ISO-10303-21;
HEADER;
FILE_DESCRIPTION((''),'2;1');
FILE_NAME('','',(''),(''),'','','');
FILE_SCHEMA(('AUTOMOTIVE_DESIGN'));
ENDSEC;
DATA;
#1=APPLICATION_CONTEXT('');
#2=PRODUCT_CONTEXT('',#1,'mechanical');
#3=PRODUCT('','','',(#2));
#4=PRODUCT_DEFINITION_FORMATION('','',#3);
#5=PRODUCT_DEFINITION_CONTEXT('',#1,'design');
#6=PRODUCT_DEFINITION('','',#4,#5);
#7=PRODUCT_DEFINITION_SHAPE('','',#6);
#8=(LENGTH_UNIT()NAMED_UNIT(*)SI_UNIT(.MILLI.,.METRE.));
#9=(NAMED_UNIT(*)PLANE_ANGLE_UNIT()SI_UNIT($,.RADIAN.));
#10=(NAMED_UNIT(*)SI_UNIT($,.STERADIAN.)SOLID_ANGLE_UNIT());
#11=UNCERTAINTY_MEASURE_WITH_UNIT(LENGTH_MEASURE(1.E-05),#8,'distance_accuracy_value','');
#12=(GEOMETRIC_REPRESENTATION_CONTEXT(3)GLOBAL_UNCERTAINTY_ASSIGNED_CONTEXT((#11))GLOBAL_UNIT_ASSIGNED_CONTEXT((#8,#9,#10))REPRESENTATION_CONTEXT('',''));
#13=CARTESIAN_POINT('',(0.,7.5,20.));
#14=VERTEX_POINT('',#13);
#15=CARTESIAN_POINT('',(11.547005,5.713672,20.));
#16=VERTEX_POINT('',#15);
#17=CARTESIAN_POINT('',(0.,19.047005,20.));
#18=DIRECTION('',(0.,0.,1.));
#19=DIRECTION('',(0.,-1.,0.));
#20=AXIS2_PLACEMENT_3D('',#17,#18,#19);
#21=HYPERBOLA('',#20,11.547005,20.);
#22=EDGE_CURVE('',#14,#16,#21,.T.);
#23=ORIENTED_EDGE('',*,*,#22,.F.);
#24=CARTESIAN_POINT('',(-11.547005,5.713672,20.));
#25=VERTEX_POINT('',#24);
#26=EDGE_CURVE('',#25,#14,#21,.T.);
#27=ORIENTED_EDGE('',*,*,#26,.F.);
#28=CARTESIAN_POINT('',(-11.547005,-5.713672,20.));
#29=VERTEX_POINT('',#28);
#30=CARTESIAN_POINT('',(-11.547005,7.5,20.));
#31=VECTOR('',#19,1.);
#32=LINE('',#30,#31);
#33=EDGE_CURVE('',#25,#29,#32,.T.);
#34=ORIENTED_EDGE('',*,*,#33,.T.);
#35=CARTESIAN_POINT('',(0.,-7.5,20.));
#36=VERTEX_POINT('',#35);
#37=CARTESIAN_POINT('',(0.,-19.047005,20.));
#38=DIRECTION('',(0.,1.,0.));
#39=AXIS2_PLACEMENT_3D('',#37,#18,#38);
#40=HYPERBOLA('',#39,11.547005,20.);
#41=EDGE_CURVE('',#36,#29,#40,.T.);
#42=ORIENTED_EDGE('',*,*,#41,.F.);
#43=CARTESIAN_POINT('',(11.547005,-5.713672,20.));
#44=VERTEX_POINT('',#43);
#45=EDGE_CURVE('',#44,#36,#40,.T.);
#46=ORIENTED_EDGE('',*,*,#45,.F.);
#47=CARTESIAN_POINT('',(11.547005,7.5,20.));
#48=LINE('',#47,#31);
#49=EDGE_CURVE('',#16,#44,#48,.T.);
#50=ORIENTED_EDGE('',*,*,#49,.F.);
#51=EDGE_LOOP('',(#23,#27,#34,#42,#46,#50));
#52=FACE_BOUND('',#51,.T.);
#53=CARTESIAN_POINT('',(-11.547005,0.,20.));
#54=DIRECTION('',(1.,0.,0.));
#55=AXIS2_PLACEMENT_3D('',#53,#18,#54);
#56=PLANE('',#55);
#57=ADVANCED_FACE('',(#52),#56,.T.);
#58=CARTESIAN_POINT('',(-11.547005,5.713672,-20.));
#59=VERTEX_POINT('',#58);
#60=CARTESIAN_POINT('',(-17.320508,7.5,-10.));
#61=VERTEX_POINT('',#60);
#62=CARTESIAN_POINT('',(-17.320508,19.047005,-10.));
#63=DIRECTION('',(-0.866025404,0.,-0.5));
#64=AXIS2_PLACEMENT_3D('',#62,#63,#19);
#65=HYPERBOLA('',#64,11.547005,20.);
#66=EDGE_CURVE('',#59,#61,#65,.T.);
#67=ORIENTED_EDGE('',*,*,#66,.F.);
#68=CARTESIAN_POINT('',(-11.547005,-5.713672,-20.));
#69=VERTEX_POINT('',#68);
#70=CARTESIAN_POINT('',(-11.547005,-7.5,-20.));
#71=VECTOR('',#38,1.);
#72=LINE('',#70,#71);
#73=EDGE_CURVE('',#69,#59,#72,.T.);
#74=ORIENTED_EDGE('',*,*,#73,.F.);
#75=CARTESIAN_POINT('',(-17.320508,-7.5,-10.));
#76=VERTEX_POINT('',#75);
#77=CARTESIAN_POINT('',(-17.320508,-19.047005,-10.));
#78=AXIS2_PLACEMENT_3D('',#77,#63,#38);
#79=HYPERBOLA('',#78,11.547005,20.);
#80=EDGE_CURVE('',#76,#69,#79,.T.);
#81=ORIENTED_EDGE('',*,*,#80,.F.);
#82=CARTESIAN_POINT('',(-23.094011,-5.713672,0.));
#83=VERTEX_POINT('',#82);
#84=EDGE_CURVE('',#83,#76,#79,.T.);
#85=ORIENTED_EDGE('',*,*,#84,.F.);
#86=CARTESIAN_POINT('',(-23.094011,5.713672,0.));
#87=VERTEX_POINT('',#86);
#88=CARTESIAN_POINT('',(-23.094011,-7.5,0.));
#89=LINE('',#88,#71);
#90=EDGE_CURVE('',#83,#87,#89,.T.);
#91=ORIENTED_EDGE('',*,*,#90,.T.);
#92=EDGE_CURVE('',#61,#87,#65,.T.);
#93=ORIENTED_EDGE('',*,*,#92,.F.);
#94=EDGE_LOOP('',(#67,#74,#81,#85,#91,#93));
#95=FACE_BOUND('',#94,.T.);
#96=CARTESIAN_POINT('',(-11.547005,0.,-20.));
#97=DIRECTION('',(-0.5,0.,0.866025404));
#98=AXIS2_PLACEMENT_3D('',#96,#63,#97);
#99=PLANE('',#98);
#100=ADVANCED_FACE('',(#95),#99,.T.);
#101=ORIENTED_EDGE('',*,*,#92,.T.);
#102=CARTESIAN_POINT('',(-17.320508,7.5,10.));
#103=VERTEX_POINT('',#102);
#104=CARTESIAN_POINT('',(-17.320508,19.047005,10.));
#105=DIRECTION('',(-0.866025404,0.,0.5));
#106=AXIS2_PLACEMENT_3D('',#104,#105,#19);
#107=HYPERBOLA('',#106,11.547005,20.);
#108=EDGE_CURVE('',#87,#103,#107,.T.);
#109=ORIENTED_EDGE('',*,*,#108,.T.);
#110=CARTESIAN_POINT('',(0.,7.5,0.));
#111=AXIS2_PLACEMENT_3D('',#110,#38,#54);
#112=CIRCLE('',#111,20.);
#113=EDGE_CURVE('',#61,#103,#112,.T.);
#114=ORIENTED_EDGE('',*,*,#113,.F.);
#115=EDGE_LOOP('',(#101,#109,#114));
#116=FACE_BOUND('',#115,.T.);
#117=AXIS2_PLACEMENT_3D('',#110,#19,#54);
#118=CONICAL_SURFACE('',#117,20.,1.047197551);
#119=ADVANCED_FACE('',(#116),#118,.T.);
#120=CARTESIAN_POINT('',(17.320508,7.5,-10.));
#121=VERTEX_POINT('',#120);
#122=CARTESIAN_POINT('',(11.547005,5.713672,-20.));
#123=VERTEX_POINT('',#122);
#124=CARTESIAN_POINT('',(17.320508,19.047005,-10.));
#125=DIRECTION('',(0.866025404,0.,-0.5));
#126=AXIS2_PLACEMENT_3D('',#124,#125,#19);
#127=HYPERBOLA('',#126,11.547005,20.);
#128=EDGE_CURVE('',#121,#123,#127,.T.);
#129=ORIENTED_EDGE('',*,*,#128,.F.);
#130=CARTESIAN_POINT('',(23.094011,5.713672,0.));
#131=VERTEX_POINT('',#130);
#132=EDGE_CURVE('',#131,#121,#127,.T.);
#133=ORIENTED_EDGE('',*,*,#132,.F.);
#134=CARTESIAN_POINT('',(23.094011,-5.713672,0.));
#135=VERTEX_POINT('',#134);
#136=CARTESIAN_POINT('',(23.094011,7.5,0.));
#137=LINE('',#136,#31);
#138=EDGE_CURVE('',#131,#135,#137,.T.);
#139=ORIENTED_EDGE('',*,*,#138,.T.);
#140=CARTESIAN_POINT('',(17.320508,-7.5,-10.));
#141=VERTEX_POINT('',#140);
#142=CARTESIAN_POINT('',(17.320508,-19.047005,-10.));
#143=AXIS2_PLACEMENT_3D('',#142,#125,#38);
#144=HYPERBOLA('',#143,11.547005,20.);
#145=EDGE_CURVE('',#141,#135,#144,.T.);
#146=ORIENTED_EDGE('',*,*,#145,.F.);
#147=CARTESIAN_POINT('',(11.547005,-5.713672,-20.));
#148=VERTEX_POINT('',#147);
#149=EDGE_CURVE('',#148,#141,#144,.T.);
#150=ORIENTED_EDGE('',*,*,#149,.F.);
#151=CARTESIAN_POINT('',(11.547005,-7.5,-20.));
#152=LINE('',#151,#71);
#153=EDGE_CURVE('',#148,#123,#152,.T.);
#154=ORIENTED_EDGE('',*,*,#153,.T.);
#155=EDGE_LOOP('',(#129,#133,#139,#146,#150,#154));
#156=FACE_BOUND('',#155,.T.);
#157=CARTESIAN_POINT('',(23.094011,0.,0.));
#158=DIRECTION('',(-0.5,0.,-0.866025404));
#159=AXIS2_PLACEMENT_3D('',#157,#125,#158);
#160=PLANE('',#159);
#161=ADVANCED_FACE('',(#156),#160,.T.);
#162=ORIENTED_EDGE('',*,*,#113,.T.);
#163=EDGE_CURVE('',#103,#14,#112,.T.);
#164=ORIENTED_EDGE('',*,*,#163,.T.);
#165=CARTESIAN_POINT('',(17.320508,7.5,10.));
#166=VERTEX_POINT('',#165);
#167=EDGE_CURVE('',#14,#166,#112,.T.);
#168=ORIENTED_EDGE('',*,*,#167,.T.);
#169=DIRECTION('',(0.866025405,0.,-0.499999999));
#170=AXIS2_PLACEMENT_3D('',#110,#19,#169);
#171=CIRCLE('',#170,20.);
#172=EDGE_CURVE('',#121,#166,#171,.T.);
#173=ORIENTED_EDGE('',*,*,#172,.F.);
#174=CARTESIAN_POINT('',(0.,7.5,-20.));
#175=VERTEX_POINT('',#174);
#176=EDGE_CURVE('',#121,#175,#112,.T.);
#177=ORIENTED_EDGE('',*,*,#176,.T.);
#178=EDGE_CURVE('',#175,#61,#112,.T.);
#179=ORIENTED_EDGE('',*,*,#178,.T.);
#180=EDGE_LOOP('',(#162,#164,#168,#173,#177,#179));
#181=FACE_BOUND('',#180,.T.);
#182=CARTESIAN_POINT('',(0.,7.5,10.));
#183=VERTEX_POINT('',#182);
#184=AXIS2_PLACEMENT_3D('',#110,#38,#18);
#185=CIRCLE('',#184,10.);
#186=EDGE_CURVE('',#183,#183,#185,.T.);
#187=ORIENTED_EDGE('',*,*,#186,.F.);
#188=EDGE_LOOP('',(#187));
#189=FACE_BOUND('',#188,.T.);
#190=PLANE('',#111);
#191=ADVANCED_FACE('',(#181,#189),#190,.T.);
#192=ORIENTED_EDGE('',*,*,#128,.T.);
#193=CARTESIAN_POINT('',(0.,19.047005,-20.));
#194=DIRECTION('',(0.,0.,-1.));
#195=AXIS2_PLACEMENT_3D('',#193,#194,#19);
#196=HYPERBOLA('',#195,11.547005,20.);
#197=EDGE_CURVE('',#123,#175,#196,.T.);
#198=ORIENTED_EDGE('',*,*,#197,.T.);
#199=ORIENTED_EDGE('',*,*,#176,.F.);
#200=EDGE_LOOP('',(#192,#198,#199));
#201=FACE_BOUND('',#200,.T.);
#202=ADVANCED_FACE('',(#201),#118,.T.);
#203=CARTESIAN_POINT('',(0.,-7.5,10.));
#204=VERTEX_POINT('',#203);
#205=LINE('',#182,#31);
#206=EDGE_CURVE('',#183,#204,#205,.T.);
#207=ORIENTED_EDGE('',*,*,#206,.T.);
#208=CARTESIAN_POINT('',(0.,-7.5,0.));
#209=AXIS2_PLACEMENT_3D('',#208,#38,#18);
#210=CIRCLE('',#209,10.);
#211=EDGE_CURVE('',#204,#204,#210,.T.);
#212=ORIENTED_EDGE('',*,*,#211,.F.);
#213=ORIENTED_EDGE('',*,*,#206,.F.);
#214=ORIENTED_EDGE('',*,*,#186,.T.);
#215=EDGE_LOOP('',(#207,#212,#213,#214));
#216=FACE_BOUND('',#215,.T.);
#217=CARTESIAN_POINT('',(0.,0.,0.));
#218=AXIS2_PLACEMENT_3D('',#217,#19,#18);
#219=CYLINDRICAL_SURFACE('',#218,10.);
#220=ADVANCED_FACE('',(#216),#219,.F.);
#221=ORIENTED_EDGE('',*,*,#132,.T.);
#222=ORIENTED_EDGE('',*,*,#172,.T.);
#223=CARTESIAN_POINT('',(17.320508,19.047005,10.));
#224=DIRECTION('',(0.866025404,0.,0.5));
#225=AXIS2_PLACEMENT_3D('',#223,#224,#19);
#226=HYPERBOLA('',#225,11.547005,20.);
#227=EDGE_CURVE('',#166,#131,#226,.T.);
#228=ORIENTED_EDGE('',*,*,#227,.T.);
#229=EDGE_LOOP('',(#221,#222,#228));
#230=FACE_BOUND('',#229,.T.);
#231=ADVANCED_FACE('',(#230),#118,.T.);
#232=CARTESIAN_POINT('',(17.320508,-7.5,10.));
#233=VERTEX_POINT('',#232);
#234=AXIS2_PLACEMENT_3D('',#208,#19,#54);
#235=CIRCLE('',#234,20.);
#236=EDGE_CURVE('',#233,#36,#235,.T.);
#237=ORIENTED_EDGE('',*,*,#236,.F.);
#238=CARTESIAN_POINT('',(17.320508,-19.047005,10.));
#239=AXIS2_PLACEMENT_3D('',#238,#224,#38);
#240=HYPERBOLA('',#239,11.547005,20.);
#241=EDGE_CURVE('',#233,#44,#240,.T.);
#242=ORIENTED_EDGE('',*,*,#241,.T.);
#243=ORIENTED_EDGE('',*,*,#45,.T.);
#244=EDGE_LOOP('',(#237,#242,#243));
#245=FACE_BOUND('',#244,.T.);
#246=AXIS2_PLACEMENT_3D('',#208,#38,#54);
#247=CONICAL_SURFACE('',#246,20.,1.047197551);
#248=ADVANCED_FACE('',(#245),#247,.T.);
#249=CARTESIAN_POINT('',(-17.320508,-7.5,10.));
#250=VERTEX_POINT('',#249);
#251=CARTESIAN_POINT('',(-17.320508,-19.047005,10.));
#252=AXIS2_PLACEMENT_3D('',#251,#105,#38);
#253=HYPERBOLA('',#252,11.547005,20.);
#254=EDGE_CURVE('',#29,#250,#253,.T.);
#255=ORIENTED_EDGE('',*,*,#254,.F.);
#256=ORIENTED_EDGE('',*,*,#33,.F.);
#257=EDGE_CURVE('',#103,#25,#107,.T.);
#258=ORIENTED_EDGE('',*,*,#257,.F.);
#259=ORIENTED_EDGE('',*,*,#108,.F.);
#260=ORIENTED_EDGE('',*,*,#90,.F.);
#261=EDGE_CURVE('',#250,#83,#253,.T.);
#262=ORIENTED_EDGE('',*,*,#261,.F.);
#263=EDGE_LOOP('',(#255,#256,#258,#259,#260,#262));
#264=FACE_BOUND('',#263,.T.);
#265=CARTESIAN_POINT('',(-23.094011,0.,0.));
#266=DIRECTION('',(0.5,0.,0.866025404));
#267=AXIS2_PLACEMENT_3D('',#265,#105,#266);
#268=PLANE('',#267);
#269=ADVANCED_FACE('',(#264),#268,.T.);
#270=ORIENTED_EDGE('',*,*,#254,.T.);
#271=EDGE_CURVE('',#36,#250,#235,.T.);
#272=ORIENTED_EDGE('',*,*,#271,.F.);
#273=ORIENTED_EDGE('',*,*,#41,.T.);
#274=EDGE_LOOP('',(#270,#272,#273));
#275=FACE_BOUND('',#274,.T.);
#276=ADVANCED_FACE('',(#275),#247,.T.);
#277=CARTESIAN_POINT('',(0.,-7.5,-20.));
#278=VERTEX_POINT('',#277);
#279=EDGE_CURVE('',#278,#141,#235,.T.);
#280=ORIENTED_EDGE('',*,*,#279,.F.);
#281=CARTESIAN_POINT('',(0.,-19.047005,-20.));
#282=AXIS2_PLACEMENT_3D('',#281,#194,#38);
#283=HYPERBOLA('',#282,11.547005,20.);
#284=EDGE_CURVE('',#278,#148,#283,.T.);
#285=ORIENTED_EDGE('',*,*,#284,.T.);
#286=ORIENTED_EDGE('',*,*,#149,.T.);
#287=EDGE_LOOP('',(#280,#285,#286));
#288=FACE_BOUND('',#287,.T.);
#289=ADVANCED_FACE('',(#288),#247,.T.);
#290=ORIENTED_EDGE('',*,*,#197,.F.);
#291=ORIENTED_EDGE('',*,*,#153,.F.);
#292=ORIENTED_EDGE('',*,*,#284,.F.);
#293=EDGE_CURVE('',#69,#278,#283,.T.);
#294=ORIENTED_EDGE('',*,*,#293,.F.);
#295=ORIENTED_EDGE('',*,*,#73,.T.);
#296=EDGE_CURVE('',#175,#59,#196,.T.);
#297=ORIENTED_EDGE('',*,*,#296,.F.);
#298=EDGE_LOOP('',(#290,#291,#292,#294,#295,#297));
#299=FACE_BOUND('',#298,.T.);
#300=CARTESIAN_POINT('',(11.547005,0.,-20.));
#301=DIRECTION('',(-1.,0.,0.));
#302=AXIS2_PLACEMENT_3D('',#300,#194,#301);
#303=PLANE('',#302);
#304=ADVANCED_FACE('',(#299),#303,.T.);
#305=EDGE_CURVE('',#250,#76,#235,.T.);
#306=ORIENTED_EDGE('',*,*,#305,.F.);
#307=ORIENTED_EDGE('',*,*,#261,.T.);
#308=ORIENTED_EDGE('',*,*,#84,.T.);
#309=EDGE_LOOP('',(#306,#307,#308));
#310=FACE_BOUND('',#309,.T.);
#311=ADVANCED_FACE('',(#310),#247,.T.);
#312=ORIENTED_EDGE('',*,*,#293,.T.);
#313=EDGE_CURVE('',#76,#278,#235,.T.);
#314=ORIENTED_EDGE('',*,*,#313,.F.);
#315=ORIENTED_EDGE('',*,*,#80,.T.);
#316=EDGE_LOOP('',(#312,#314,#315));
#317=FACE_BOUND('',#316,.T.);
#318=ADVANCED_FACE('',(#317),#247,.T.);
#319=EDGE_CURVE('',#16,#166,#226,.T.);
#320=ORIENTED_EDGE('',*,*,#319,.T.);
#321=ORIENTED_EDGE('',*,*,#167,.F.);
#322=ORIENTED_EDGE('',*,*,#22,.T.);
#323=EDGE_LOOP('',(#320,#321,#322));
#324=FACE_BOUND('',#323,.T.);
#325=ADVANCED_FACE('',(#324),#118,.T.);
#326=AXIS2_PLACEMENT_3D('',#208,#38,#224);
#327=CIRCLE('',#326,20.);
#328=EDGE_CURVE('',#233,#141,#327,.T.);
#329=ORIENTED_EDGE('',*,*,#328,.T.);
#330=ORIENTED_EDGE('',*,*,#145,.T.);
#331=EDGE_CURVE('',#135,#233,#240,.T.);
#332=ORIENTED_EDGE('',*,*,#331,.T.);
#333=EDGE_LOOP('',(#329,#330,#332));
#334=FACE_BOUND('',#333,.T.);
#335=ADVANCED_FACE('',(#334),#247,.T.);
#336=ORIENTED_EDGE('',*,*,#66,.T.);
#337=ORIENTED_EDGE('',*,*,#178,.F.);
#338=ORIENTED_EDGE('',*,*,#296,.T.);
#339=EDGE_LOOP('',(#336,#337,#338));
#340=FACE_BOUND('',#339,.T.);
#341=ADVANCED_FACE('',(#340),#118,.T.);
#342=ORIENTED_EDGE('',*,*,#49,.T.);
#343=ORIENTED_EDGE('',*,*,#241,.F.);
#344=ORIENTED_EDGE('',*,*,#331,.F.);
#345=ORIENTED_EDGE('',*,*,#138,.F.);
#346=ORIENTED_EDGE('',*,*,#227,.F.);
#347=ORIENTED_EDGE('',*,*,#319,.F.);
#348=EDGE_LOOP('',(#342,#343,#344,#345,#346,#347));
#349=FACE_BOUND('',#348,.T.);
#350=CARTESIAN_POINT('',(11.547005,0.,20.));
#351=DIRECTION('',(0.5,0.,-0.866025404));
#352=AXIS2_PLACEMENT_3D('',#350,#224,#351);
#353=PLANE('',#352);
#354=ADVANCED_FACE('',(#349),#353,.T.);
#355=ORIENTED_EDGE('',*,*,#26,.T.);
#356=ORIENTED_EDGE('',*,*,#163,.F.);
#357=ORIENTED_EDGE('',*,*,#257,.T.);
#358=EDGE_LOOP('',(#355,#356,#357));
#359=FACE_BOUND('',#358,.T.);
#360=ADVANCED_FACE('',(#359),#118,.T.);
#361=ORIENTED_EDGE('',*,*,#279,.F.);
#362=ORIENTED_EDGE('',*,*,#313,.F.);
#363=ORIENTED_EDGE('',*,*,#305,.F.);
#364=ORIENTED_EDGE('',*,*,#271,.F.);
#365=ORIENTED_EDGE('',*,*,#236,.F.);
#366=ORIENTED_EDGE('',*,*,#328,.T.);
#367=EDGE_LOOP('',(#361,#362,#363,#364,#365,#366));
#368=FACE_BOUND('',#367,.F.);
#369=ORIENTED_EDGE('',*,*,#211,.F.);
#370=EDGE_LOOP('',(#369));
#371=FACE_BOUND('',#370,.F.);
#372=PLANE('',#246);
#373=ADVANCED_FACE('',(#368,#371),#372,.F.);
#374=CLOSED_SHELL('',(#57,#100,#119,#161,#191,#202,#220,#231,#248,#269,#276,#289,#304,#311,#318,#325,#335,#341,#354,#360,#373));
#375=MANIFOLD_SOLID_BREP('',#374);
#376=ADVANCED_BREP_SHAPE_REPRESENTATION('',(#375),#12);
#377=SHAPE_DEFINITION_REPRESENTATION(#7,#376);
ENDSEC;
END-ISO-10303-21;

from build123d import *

# Parameters (mm, degrees)
SKETCH3_R               = 10
BOSS_EXTRUDE1_DEPTH     = 7.5
SKETCH4_OUTSIDE_W       = 67.7
SKETCH4_OUTSIDE_H       = 61.512
SKETCH4_OUTSIDE_R       = 20
CUT_EXTRUDE1_DEPTH      = 2
CUT_EXTRUDE1_DRAFT      = -60
MIRROR1_COPY_1_SKETCH_W = 67.7
MIRROR1_COPY_1_SKETCH_H = 61.512
MIRROR1_COPY_1_SKETCH_R = 20
MIRROR1_COPY_1_DEPTH    = 2
MIRROR1_COPY_1_DRAFT    = -60


with BuildPart() as part:
    # Sketch3 → Boss-Extrude1 (new, symmetric)
    with BuildSketch(Plane(origin=(0, 0, 0), x_dir=(1, 0, 0), z_dir=(0, 1, 0))):
        Polygon((23.094010768, 0), (11.547005384, 20), (-11.547005384, 20), (-23.094010768, 0), (-11.547005384, -20), (11.547005384, -20), align=None)
        with Locations(Location((0, 0, 0), (0, 0, 270))):
            Circle(SKETCH3_R, mode=Mode.SUBTRACT)
    extrude(amount=BOSS_EXTRUDE1_DEPTH, both=True)


with BuildPart() as cut_extrude1_tool:
    # Sketch4 outside → Cut-Extrude1 (with draft: the straight prism first)
    with BuildSketch(Plane.XZ.offset(7.5)):
        Rectangle(SKETCH4_OUTSIDE_W, SKETCH4_OUTSIDE_H)
        Circle(SKETCH4_OUTSIDE_R, mode=Mode.SUBTRACT)
    extrude(amount=-CUT_EXTRUDE1_DEPTH)
    # Cut-Extrude1: the draft: its side faces are tilted about the plane it starts from
    cut_extrude1_sides = [cut_extrude1_tool.faces().sort_by_distance(p)[0] for p in [
        (0, -6.5, -30.756),
        (33.85, -6.5, 0),
        (0, -6.5, 30.756),
        (-33.85, -6.5, 0),
        (-20, -6.5, 0),
    ]]
    draft(cut_extrude1_sides, Plane.XZ.offset(7.5), CUT_EXTRUDE1_DRAFT)


with BuildPart() as part_1:
    add(part.part)

    # Cut-Extrude1: cut by cut_extrude1_tool
    add(cut_extrude1_tool.part, mode=Mode.SUBTRACT)


with BuildPart() as mirror1_copy_1_tool:
    # Mirror1 copy 1 sketch → Mirror1 copy 1 (with draft: the straight prism first)
    with BuildSketch(Plane(origin=(0, 7.5, 0), x_dir=(1, 0, 0), z_dir=(0, 1, 0))):
        Rectangle(MIRROR1_COPY_1_SKETCH_W, MIRROR1_COPY_1_SKETCH_H)
        Circle(MIRROR1_COPY_1_SKETCH_R, mode=Mode.SUBTRACT)
    extrude(amount=-MIRROR1_COPY_1_DEPTH)
    # Mirror1 copy 1: the draft: its side faces are tilted about the plane it starts from
    mirror1_copy_1_sides = [mirror1_copy_1_tool.faces().sort_by_distance(p)[0] for p in [
        (0, 6.5, -30.756),
        (33.85, 6.5, 0),
        (0, 6.5, 30.756),
        (-33.85, 6.5, 0),
        (-20, 6.5, 0),
    ]]
    draft(mirror1_copy_1_sides, Plane(origin=(0, 7.5, 0), x_dir=(1, 0, 0), z_dir=(0, 1, 0)), MIRROR1_COPY_1_DRAFT)


with BuildPart() as part_2:
    add(part_1.part)

    # Mirror1 copy 1: cut by mirror1_copy_1_tool
    add(mirror1_copy_1_tool.part, mode=Mode.SUBTRACT)


solid = part_2.part
